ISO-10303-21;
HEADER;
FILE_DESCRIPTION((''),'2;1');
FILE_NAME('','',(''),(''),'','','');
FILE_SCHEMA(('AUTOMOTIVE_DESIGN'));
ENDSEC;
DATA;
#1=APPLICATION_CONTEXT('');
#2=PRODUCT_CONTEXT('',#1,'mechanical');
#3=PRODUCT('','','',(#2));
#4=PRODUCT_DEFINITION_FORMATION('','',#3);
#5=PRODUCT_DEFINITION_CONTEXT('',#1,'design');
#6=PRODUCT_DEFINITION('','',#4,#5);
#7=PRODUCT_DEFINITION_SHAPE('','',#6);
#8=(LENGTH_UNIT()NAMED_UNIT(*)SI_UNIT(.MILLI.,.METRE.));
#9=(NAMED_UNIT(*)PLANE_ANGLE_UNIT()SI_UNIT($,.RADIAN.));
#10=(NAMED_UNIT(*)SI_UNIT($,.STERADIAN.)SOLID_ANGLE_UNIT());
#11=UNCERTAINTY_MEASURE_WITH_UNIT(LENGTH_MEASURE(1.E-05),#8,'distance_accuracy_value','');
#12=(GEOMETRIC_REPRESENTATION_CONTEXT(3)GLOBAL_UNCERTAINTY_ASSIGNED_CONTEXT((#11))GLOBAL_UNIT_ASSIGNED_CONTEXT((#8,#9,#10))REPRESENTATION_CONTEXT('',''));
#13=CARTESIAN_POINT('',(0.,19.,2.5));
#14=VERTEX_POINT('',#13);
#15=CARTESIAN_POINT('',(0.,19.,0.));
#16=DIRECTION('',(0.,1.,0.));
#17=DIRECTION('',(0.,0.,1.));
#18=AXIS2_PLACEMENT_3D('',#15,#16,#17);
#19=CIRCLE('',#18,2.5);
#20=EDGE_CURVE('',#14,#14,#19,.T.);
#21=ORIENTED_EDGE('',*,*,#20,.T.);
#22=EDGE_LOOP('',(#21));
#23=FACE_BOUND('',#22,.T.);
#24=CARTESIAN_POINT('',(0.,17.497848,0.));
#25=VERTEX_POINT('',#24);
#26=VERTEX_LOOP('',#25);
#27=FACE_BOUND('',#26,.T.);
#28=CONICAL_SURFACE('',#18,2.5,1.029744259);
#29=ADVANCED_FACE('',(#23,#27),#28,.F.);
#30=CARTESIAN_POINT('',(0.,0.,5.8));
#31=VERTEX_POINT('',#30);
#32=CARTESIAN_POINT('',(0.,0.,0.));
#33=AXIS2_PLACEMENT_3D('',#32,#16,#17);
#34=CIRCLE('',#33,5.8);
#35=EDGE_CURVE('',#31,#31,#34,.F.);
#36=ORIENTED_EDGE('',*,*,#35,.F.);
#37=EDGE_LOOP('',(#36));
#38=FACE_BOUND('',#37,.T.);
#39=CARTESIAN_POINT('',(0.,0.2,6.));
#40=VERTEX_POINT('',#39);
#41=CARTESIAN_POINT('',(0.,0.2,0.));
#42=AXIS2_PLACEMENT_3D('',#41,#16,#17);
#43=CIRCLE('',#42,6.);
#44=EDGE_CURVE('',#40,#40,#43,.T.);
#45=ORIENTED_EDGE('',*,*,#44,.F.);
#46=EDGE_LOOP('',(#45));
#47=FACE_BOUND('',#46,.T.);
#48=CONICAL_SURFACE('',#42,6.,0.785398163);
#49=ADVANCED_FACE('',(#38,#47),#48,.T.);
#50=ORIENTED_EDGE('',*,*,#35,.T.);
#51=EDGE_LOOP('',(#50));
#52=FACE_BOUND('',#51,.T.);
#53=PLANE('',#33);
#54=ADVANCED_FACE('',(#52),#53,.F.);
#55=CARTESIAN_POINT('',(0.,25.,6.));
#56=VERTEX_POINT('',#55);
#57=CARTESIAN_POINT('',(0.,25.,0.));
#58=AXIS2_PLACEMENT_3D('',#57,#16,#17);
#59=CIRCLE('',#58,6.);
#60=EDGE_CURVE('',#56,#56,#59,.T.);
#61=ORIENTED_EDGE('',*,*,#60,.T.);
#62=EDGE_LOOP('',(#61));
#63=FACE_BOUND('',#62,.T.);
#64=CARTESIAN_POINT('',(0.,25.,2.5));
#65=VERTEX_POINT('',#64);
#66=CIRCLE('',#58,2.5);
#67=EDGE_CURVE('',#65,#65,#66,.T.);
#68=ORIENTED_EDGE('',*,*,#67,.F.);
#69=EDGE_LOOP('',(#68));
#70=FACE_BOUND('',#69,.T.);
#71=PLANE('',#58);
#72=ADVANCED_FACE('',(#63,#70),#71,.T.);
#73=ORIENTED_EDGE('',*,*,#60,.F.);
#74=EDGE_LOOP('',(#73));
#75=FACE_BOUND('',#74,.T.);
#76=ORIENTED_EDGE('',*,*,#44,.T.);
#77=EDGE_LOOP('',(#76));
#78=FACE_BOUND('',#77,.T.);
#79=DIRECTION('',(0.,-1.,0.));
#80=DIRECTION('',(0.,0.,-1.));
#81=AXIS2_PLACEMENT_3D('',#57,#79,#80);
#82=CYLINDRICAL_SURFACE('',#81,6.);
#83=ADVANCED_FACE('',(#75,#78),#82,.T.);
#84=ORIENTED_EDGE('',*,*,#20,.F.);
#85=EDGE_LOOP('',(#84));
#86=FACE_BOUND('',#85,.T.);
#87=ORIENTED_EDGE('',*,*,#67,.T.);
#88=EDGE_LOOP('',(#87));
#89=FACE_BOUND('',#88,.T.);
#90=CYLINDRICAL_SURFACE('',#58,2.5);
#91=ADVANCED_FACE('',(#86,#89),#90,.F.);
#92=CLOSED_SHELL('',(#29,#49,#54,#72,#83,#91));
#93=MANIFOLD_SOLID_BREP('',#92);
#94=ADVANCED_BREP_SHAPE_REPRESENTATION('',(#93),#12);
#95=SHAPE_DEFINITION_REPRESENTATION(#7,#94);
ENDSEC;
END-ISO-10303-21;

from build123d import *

# Parameters (mm, degrees)
SKETCH_1_R      = 6
EXTRUDE_1_DEPTH = 25
M6X1_0_1_D      = 5
M6X1_0_1_DEPTH  = 6
M6X1_0_1_TIP    = 1.502151548
CHAMFER_1_SIZE  = 0.2


with BuildPart() as part:
    # 草图1 → 凸台-拉伸1 (new body)
    with BuildSketch(Plane(origin=(0, 0, 0), x_dir=(1, 0, 0), z_dir=(0, 1, 0))):
        with Locations(Location((0, 0, 0), (0, 0, 270))):
            Circle(SKETCH_1_R)
    extrude(amount=EXTRUDE_1_DEPTH)

    # M6x1.0 螺纹孔1
    with Locations(Plane(origin=(0, 25, 0), x_dir=(1, 0, 0), z_dir=(0, 1, 0))):
        with Locations((0, 0)):
            Hole(M6X1_0_1_D / 2, depth=M6X1_0_1_DEPTH)
            with Locations((0, 0, -(M6X1_0_1_DEPTH + M6X1_0_1_TIP / 2))):  # 118° drill point
                Cone(0, M6X1_0_1_D / 2, M6X1_0_1_TIP, mode=Mode.SUBTRACT)

    # 倒角1
    chamfer_1_edges = [part.edges().sort_by_distance(p)[0] for p in [
        (0, 0, -6),
    ]]
    chamfer(chamfer_1_edges, length=CHAMFER_1_SIZE)


solid = part.part
